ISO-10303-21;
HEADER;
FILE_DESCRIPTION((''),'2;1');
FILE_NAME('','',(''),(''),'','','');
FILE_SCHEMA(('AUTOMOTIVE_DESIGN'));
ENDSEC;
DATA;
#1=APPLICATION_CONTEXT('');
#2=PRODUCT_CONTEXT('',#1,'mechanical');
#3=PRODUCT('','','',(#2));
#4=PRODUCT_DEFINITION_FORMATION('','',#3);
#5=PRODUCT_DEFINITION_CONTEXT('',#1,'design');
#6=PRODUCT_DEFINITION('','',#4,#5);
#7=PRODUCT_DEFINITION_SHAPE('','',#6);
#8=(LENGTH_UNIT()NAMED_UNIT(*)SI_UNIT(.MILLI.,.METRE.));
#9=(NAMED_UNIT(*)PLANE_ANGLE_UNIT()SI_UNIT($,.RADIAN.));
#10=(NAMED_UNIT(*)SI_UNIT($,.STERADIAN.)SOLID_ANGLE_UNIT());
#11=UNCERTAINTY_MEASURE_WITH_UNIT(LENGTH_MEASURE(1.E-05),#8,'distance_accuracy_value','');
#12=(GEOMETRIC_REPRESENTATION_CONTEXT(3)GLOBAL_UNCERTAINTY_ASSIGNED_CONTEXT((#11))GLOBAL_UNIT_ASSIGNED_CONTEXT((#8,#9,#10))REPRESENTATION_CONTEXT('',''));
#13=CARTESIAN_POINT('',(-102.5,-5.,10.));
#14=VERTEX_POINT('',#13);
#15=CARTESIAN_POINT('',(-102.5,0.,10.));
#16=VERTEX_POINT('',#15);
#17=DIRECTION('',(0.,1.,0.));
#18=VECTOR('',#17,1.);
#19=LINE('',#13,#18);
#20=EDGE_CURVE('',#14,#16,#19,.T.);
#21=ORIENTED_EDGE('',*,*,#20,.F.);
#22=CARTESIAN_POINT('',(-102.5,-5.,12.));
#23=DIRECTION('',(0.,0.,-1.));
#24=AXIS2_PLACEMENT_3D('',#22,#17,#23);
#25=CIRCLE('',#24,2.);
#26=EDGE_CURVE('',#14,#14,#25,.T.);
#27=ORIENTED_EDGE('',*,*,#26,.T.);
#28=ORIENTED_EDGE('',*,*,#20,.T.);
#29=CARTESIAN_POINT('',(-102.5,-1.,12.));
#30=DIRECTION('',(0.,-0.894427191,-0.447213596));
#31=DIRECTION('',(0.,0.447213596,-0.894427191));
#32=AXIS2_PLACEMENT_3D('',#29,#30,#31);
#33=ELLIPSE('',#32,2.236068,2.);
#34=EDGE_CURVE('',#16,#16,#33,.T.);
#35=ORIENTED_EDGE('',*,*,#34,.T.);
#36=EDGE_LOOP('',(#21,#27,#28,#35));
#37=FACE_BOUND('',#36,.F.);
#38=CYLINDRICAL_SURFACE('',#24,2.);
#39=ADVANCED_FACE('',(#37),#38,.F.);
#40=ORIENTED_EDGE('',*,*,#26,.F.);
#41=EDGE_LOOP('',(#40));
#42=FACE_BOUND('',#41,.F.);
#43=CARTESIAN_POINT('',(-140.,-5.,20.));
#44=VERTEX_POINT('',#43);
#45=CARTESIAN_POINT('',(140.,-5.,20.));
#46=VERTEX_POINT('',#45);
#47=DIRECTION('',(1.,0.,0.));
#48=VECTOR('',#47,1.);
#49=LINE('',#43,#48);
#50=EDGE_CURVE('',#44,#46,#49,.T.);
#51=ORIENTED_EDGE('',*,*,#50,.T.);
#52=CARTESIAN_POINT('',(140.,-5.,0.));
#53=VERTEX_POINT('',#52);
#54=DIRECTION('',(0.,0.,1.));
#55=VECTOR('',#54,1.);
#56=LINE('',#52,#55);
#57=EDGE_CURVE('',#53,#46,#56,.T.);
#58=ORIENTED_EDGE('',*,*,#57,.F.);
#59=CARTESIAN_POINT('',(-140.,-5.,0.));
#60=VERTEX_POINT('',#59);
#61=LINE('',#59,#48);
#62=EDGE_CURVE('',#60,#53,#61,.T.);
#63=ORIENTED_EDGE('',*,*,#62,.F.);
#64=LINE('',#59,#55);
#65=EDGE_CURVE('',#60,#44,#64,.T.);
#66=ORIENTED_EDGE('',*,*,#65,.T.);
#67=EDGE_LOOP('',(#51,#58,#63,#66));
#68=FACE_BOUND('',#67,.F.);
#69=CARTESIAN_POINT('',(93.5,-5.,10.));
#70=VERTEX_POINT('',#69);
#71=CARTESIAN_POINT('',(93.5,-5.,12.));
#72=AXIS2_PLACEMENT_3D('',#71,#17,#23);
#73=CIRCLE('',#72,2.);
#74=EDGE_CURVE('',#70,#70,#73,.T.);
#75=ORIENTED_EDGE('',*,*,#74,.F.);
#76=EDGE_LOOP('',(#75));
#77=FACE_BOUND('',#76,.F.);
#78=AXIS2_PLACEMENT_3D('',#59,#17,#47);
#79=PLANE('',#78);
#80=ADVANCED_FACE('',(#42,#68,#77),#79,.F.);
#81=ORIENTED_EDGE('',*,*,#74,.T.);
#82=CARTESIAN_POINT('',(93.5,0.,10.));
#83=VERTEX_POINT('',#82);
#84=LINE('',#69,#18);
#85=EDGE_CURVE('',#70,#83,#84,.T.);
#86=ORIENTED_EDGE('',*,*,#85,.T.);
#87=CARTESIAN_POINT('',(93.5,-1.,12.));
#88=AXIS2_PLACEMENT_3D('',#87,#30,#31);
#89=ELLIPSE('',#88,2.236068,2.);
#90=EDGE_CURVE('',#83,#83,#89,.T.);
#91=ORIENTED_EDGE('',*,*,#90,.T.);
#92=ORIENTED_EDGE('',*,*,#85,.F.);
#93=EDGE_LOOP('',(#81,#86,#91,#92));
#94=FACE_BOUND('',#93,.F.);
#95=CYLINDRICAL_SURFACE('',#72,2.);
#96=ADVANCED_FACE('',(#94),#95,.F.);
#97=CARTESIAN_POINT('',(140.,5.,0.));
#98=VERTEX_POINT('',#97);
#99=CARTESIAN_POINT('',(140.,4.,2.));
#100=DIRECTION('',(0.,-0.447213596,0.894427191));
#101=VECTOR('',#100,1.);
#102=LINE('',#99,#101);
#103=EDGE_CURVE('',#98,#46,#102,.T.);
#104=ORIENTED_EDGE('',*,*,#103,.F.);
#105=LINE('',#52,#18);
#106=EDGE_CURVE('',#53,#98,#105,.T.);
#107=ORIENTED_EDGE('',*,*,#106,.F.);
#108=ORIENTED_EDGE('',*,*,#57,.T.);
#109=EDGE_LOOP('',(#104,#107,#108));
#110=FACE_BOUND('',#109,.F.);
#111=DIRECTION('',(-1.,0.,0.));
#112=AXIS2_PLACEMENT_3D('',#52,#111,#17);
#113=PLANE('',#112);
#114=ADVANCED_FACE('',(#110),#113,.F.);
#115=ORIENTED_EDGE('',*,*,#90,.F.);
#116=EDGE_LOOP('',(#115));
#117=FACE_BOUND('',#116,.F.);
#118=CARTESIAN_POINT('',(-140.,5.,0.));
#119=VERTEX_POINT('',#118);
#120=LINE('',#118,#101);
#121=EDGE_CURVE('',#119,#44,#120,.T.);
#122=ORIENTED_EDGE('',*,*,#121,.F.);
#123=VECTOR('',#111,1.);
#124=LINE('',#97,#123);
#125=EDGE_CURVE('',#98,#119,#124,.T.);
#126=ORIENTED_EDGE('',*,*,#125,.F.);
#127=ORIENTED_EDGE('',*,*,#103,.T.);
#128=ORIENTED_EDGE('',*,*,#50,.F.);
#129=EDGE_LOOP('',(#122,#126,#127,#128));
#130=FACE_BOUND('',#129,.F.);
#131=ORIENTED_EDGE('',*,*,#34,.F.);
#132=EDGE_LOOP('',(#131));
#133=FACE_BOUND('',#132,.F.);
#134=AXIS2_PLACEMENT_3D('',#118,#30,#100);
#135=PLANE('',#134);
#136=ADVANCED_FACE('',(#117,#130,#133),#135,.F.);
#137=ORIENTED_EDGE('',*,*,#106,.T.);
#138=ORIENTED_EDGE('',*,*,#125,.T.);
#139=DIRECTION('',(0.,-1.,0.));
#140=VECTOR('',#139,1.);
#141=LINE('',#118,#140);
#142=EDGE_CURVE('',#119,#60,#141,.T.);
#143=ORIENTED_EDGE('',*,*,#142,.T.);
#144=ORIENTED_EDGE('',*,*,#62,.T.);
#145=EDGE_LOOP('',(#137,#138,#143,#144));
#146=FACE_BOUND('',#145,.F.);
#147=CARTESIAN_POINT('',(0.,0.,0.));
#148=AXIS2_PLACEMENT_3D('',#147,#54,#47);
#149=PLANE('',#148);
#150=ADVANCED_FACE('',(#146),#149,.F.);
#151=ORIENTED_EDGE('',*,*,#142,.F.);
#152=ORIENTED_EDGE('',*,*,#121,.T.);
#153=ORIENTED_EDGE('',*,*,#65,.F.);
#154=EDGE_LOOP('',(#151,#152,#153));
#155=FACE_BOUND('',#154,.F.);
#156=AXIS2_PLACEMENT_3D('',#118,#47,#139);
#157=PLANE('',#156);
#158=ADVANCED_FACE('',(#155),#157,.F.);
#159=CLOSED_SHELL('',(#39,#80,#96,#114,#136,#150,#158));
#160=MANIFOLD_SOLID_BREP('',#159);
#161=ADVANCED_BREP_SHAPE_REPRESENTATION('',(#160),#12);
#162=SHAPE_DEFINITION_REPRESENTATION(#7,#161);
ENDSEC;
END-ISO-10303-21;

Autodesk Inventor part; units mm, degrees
ref_plane "YZ Plane" through (0, 0, 0) normal (1, 0, 0) x (0, 1, 0)
ref_plane "XZ Plane" through (0, 0, 0) normal (0, 1, 0) x (-1, 0, 0)
ref_plane "XY Plane" through (0, 0, 0) normal (0, 0, 1) x (1, 0, 0)
sketch "Sketch1" plane through (0, 0, 0) normal (0, 0, 1) x (1, 0, 0)
  line L0 (140, 5) -> (-140, 5)
  line L1 (-140, 5) -> (-140, -5)
  line L2 (-140, -5) -> (140, -5)
  line L3 (140, -5) -> (140, 5)
  line L4 (140, 5) -> (-140, -5) construction
  line L5 (-140, 5) -> (140, -5) construction
  point P0 (0, 0)
  dimension "d0" = 280
  dimension "d1" = 10
extrude "Extrusion1" add sketch "Sketch1" along normal blind 20
sketch "Sketch3" plane through (-140, -5, 0) normal (-1, 0, 0) x (0, 0, 1)
  line L0 (0, 10) -> (0, 0) projected
  line L1 (20, 10) -> (20, 0) projected
  line L2 (0, 10) -> (20, 0)
  line L3 (20, 0) -> (20, 10)
  line L4 (0, 10) -> (20, 10) projected
  line L5 (20, 10) -> (0, 10)
  point P0 (0, 5)
extrude "Extrusion3" cut sketch "Sketch3" against normal through all
sketch "Sketch5" plane through (-140, -5, 0) normal (0, -1, 0) x (1, 0, 0)
  circle A0 centre (37.5, 12) radius 2
  circle A1 centre (233.5, 12) radius 2
  line L0 (0, 20) -> (280, 20) projected
  line L1 (0, 0) -> (0, 20) projected
  point P0 (140, 0)
  dimension "d8" = 4
  dimension "d9" = 4
  dimension "d10" = 196
  dimension "d11" = 8
  dimension "d12" = 8
  dimension "d13" = 37.5
hole "Hole1" at (93.5, -5, 12) at (-102.5, -5, 12) direction (0, 1, 0) diameter 4 depth 5 tip angle 118
properties part number "paw shelf_v01"
